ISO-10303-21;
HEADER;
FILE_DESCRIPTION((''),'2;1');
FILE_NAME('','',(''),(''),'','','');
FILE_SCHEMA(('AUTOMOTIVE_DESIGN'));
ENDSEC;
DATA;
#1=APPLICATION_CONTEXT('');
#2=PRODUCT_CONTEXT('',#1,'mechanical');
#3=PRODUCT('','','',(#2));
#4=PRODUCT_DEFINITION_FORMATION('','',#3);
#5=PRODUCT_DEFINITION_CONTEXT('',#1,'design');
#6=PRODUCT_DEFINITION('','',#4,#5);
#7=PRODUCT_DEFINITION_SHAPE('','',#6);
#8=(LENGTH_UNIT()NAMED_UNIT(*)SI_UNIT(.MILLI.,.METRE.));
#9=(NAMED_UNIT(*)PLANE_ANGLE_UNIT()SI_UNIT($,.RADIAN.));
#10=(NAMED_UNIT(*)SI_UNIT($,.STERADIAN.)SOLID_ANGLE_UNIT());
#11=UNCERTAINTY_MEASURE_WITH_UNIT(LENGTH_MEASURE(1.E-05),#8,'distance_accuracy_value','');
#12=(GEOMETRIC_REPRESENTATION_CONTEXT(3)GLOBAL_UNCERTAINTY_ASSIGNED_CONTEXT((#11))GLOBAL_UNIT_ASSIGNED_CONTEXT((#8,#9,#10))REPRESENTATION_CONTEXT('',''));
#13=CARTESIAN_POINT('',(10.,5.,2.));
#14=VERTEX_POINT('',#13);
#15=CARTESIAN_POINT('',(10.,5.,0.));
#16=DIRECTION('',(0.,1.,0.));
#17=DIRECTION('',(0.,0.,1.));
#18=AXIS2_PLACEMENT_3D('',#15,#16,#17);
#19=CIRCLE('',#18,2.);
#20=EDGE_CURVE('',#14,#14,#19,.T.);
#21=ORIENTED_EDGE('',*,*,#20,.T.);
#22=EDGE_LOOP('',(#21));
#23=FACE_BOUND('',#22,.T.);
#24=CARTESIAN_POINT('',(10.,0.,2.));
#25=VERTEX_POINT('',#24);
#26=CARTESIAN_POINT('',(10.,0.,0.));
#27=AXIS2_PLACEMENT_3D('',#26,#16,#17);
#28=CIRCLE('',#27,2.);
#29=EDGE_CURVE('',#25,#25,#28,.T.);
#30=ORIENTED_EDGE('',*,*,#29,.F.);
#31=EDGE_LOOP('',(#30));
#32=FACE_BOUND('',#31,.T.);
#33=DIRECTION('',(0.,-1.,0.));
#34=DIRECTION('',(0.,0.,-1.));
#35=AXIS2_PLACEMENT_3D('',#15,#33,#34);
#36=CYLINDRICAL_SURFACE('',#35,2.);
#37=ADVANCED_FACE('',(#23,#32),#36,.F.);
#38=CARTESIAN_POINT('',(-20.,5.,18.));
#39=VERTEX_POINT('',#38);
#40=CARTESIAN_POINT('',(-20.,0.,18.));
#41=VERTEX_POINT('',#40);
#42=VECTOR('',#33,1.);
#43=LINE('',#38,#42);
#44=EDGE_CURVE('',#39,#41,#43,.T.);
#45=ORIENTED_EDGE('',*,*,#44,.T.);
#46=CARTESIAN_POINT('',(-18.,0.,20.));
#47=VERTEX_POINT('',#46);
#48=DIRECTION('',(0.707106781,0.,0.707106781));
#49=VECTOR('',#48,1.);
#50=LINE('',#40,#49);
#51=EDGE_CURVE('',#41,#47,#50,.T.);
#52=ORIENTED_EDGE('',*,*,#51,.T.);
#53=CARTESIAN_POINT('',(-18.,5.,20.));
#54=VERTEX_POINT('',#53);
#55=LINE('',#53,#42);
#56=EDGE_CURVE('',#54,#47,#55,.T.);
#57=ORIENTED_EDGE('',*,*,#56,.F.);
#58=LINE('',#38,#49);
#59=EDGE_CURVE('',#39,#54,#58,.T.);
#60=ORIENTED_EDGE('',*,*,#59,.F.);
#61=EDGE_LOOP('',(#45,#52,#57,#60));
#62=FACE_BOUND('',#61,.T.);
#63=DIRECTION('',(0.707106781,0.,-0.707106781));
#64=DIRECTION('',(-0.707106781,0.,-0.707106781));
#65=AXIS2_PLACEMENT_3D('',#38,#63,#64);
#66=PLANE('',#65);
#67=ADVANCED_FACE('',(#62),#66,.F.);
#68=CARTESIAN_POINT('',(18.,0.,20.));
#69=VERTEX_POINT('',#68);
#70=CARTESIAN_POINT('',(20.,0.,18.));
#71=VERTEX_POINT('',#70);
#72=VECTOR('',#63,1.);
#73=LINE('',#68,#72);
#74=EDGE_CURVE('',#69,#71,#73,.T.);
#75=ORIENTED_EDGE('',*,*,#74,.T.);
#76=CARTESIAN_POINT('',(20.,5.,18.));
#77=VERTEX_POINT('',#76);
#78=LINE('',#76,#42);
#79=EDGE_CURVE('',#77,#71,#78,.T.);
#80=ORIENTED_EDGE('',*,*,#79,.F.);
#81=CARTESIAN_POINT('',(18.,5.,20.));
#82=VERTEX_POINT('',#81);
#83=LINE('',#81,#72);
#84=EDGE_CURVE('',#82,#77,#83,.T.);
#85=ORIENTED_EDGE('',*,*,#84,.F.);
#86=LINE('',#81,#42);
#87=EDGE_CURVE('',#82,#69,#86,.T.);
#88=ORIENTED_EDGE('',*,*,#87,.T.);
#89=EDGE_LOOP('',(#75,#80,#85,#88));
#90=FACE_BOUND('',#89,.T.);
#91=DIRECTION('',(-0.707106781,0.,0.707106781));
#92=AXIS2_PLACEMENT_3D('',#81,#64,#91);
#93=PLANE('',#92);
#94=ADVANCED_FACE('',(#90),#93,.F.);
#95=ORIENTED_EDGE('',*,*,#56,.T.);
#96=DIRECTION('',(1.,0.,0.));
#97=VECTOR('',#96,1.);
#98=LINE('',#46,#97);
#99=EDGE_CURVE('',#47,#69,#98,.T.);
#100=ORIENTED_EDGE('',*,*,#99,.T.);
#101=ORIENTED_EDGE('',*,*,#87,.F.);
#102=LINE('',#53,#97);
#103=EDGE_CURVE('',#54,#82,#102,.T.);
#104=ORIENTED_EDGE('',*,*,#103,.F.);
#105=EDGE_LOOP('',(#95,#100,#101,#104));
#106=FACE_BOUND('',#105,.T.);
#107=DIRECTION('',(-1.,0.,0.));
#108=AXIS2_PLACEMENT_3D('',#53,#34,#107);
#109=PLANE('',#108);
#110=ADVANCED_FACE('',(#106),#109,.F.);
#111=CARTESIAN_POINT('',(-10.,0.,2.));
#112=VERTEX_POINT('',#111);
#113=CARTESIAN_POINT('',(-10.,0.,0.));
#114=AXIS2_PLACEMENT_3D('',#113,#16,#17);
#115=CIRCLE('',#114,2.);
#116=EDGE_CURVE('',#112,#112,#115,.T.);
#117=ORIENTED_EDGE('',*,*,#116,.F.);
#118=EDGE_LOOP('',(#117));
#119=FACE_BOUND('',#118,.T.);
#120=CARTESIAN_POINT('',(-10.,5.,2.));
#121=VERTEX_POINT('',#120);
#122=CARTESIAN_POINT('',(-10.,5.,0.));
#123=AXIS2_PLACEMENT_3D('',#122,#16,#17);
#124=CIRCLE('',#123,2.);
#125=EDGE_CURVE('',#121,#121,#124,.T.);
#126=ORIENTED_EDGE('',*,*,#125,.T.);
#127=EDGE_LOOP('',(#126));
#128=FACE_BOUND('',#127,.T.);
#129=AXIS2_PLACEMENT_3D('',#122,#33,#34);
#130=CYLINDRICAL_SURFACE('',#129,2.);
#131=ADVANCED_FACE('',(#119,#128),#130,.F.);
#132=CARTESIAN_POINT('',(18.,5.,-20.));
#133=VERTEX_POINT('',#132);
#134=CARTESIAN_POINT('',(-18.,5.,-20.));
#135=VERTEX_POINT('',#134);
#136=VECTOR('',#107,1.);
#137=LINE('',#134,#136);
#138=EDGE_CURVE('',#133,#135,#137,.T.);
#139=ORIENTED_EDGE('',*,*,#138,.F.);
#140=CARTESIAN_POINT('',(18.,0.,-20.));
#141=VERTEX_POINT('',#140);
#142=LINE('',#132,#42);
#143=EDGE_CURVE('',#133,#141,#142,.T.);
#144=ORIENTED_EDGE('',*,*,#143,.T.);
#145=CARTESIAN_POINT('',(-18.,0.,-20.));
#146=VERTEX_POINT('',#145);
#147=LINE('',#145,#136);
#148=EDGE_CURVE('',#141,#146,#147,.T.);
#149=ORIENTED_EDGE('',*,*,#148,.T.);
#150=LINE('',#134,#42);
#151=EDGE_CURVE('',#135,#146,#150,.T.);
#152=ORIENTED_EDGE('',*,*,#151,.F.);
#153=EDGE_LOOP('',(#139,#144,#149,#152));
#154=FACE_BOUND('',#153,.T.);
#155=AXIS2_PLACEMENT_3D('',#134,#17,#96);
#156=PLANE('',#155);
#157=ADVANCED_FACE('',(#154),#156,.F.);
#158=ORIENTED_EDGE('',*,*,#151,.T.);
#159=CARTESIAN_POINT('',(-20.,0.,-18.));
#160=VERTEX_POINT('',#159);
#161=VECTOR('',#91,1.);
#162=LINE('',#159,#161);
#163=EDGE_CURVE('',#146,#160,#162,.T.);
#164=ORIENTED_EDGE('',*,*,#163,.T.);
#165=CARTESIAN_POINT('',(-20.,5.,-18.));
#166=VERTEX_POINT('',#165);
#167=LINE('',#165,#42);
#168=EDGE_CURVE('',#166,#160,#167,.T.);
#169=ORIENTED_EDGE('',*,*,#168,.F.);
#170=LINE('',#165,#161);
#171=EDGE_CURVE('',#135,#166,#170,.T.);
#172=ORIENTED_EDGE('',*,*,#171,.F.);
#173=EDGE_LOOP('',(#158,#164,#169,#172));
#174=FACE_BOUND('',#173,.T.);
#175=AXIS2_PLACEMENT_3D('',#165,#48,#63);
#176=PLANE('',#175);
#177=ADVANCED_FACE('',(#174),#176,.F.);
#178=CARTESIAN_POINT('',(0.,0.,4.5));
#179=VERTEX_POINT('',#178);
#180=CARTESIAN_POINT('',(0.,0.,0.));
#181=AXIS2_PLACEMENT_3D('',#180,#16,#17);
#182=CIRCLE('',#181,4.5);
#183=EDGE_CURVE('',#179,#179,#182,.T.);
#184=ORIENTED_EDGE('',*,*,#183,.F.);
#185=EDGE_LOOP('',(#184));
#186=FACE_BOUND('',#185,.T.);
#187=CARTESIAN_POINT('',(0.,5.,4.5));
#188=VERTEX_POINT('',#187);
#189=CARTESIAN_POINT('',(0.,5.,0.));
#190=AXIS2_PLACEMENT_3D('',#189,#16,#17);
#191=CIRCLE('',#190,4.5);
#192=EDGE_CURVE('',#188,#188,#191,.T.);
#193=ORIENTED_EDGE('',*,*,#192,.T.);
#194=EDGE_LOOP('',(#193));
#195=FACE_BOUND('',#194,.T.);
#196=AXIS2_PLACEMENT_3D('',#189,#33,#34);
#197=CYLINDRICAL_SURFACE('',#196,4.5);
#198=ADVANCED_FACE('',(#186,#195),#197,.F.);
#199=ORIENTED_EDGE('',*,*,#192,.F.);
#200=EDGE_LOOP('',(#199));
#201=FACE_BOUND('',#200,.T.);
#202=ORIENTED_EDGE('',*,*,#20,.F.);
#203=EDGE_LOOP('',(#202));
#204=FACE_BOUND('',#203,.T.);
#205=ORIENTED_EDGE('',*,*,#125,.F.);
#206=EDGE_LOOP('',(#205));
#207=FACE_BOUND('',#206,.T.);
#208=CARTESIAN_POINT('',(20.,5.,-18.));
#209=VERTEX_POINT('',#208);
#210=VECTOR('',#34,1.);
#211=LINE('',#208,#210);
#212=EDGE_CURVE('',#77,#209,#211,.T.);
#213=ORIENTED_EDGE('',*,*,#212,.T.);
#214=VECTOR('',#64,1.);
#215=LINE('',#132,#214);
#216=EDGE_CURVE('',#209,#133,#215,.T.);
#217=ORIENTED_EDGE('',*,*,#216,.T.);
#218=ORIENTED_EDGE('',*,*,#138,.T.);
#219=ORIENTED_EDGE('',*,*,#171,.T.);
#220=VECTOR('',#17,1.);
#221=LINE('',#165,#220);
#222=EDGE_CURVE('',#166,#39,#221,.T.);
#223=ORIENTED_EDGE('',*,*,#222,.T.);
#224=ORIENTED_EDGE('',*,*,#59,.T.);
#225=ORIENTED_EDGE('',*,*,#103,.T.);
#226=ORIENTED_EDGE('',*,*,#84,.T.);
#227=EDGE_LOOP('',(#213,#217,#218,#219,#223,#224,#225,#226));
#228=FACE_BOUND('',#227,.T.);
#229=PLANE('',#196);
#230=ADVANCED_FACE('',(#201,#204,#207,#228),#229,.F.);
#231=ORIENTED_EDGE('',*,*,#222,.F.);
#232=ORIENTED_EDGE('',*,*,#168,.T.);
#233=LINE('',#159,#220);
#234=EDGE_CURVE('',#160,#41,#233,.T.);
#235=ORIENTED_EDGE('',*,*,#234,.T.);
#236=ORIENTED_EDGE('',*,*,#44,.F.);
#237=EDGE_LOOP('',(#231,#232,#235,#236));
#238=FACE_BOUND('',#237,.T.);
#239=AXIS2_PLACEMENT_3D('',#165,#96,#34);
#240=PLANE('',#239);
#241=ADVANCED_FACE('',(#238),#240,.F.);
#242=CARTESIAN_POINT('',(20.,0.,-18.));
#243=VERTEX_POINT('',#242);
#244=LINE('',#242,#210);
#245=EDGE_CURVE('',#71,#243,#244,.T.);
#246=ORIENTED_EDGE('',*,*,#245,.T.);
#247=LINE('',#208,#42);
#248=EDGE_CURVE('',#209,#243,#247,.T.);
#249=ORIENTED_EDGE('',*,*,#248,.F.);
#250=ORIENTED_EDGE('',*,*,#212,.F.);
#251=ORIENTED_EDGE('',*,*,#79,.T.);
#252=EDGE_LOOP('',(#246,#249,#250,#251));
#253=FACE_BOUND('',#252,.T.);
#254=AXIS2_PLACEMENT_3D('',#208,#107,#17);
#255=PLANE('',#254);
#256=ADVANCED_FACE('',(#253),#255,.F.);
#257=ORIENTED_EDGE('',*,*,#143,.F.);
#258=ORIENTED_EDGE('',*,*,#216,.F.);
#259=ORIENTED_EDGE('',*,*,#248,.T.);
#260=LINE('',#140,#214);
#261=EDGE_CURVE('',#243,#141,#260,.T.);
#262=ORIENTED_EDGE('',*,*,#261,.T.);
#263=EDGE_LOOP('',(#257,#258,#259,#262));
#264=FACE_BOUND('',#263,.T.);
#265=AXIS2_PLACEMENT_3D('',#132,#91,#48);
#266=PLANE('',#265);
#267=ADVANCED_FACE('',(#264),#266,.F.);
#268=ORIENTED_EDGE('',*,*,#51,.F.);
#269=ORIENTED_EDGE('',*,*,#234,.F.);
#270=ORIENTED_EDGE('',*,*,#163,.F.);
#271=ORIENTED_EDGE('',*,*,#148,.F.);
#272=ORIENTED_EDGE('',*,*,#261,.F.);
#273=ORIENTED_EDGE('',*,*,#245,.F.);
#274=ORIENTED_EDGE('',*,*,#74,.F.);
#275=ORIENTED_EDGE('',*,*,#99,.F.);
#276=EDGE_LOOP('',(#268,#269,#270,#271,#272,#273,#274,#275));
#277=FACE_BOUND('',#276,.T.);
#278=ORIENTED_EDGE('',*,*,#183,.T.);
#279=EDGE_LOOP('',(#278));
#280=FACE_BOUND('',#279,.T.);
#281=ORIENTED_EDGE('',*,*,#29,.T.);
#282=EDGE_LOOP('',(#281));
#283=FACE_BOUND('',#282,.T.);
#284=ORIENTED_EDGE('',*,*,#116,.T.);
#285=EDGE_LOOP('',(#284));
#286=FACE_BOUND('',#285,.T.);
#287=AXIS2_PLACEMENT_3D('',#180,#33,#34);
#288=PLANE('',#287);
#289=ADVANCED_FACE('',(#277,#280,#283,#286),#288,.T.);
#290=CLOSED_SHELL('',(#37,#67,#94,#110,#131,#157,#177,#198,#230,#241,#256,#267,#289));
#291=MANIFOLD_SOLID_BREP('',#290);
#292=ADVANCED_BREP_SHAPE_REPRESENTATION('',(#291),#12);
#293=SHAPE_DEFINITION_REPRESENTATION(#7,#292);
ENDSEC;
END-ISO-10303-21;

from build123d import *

# Parameters (mm, degrees)
SKETCH2_R           = 4.5
SKETCH2_R_2         = 2
BOSS_EXTRUDE1_DEPTH = 5


with BuildPart() as part:
    # Sketch2 → Boss-Extrude1 (new body)
    with BuildSketch(Plane(origin=(0, 0, 0), x_dir=(1, 0, 0), z_dir=(0, 1, 0))):
        Polygon((-20, 18), (-18, 20), (18, 20), (20, 18), (20, -18), (18, -20), (-18, -20), (-20, -18), align=None)
        with Locations(Location((0, 0, 0), (0, 0, 270))):
            Circle(SKETCH2_R, mode=Mode.SUBTRACT)
        with Locations(Location((10, 0, 0), (0, 0, 270))):
            Circle(SKETCH2_R_2, mode=Mode.SUBTRACT)
        with Locations(Location((-10, 0, 0), (0, 0, 270))):
            Circle(SKETCH2_R_2, mode=Mode.SUBTRACT)
    extrude(amount=BOSS_EXTRUDE1_DEPTH)


solid = part.part
